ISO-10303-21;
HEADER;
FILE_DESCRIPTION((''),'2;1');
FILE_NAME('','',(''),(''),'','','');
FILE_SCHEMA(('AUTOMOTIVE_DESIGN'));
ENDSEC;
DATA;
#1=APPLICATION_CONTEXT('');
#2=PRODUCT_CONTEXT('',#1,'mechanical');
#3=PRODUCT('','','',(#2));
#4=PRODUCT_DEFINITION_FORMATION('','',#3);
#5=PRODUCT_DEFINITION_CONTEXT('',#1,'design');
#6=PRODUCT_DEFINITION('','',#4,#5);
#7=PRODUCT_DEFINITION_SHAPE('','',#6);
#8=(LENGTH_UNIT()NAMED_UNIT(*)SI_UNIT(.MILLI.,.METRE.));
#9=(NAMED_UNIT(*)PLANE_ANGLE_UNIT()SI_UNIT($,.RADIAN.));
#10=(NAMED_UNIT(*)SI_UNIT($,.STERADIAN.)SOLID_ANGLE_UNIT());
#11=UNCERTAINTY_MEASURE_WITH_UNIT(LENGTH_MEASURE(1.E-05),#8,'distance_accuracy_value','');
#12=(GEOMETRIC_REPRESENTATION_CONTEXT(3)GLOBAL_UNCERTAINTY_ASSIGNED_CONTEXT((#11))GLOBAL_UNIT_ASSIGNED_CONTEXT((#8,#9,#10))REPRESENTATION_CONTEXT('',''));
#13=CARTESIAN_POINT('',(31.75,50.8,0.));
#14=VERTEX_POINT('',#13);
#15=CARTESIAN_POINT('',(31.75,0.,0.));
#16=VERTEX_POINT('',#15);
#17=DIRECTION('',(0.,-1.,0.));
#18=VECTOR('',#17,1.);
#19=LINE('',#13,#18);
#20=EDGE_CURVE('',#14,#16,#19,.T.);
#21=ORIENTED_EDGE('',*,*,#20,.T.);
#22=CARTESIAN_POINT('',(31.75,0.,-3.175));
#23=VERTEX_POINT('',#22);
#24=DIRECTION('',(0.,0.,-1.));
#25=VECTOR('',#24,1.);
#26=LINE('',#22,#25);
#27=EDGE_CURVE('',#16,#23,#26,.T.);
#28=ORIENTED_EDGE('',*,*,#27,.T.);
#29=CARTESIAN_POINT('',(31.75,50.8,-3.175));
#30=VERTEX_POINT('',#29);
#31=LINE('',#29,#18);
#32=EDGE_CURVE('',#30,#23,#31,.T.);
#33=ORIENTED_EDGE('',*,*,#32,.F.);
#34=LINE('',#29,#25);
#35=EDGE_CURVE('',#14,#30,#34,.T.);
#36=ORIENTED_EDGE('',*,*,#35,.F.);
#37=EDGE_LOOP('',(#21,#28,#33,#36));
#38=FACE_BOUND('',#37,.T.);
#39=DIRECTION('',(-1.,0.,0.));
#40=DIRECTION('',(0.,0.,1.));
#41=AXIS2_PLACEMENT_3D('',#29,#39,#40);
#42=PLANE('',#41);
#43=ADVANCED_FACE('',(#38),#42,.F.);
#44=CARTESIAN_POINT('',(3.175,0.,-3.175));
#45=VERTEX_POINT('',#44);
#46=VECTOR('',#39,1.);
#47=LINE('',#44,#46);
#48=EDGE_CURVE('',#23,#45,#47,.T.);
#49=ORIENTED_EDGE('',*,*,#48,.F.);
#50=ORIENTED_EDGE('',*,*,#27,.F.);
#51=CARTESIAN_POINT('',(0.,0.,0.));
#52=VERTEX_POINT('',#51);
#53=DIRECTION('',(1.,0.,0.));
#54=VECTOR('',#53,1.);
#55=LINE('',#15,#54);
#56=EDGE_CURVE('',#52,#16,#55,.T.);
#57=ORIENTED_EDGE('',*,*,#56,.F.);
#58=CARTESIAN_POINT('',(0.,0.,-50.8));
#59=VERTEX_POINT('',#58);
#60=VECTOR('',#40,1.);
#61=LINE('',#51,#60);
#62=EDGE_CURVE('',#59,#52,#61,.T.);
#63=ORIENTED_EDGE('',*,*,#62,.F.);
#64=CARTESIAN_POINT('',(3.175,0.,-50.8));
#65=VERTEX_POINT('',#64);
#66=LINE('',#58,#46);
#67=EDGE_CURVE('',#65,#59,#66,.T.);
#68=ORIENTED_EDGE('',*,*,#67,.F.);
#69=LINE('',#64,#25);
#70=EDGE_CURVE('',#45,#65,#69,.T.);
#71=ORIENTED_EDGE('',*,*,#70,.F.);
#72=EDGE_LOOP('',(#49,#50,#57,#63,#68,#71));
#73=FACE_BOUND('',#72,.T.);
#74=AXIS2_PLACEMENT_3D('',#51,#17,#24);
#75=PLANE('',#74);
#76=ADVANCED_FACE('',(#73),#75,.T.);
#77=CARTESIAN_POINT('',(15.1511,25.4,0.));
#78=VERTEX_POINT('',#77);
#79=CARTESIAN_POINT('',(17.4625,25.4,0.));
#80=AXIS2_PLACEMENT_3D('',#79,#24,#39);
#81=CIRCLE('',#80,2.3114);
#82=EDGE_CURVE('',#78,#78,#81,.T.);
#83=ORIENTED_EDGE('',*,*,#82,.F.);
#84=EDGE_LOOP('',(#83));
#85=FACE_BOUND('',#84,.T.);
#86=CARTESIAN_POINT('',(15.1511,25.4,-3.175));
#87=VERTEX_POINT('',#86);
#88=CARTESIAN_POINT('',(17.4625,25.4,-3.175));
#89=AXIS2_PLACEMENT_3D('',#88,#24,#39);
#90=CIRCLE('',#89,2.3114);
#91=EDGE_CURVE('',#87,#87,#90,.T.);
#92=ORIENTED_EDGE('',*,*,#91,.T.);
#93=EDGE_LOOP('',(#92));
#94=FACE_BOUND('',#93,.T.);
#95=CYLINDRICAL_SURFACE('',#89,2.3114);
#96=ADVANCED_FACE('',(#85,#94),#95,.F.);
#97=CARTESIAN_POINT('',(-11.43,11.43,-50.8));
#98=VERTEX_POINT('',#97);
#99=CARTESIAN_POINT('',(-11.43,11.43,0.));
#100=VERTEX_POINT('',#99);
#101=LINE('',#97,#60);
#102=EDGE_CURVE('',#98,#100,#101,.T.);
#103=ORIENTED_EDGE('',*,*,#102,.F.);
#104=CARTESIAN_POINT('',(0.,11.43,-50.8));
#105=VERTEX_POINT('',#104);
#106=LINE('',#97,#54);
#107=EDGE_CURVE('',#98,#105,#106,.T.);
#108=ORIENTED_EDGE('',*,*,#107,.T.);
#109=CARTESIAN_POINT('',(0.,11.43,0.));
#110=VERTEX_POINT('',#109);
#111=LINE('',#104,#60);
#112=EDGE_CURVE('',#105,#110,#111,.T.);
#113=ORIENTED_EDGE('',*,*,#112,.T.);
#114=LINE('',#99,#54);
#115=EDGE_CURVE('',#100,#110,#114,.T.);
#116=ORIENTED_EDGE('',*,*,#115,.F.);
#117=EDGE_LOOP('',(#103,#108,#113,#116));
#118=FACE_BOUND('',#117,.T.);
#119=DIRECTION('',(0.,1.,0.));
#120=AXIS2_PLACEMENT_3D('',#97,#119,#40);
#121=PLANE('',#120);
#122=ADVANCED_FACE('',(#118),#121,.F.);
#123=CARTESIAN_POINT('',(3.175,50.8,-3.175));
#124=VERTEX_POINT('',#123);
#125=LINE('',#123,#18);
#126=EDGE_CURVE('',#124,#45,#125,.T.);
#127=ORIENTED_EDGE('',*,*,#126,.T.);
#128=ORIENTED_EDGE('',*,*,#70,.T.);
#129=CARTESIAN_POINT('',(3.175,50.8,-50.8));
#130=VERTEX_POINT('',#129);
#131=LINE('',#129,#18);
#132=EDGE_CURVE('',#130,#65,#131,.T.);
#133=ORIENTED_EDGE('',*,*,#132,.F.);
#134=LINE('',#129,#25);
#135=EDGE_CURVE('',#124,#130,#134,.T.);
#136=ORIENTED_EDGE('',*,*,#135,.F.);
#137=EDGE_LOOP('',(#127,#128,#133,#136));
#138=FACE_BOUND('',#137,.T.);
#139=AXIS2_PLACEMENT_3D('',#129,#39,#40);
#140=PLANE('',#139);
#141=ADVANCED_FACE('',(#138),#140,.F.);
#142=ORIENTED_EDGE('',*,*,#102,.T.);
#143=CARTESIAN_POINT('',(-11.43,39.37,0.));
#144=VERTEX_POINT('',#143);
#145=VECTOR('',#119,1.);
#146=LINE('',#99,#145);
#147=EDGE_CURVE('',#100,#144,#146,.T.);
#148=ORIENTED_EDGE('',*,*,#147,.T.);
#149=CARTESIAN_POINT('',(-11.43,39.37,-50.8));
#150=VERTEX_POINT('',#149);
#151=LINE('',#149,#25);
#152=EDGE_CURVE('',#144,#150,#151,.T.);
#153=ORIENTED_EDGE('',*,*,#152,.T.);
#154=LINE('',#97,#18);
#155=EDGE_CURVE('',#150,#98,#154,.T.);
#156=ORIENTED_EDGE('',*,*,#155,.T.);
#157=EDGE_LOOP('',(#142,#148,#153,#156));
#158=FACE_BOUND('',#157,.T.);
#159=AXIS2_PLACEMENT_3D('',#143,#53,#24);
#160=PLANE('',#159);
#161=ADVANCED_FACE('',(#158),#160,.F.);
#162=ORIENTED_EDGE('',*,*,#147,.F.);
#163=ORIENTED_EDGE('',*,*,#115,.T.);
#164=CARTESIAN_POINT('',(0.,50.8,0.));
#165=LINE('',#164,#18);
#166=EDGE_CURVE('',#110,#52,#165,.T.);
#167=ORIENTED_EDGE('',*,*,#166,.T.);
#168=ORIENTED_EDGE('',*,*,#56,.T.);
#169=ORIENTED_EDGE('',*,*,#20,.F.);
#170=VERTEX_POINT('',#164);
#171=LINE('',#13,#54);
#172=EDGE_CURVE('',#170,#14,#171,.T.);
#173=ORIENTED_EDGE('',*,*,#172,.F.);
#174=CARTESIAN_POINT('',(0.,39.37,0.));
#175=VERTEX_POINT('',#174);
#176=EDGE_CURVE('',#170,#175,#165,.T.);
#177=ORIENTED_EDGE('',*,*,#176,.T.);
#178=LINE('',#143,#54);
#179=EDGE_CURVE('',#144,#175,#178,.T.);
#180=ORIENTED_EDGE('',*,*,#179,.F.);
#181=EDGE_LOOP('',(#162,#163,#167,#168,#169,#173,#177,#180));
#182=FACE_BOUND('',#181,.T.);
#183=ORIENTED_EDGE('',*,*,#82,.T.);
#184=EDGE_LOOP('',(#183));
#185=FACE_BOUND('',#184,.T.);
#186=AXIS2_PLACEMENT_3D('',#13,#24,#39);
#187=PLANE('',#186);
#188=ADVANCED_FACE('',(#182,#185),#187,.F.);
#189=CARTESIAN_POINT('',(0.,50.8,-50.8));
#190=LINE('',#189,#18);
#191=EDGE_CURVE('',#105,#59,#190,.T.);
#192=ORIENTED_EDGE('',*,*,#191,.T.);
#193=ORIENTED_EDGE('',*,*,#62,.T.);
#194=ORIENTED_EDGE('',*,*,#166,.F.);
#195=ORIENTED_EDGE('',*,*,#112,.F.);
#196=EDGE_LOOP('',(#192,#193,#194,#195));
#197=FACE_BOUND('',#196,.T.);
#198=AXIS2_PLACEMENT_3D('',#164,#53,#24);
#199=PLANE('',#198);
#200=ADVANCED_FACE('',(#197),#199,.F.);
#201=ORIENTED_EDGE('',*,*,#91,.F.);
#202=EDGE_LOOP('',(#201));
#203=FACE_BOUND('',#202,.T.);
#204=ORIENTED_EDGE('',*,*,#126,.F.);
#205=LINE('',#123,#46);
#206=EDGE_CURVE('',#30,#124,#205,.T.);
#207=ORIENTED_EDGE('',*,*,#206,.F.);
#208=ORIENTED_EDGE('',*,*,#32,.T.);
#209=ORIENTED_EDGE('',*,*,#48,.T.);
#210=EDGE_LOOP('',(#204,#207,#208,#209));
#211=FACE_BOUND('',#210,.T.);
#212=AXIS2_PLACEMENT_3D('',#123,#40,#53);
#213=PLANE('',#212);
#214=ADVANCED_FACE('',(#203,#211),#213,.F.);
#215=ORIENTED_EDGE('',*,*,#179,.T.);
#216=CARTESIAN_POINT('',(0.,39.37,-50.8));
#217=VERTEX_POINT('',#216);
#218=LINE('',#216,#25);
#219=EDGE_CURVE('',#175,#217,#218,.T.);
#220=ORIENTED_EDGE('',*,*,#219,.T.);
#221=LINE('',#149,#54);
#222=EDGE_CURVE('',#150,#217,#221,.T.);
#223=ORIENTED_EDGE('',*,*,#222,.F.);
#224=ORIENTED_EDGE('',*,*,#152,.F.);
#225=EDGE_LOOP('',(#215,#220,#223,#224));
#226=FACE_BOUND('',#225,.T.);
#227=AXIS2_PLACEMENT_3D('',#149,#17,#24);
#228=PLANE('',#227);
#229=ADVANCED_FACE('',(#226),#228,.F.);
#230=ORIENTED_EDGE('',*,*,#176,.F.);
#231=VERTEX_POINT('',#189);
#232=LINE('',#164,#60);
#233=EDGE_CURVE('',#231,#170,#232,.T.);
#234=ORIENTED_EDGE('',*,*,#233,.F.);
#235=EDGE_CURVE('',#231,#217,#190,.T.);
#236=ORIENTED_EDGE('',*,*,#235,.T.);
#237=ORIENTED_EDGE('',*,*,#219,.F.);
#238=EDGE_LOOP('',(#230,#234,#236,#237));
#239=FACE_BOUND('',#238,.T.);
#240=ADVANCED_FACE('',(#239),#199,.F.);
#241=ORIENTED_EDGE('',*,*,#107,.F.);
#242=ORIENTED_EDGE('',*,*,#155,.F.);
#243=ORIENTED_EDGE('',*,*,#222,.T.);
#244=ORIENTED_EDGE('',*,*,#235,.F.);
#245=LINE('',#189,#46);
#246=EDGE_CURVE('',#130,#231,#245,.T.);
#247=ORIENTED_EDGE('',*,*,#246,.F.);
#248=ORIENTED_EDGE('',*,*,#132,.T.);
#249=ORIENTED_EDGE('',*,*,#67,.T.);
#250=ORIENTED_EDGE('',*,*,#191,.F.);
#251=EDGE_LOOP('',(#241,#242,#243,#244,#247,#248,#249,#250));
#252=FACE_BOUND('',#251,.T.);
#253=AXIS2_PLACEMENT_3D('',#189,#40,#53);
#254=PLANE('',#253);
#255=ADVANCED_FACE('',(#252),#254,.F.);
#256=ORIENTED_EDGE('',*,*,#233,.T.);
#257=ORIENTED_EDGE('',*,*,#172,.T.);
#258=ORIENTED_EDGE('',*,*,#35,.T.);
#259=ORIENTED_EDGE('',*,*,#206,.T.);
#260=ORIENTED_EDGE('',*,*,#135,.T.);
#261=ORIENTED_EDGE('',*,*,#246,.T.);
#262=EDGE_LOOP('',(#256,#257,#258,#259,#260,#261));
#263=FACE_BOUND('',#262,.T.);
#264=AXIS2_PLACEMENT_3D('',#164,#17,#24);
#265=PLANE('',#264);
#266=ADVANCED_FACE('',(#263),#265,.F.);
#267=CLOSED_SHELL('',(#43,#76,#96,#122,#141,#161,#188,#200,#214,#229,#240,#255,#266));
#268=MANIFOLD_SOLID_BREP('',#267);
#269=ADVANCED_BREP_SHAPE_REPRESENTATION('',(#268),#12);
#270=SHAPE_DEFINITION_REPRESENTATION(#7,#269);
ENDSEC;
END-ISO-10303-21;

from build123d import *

# Parameters (mm, degrees)
BOSS_EXTRUDE1_DEPTH    = 50.8
F_12_28_TAPPED_HOLE1_D = 4.6228
SKETCH6_W              = 50.8
SKETCH6_H              = 27.94
BOSS_EXTRUDE2_DEPTH    = 11.43


with BuildPart() as part:
    # Sketch2 → Boss-Extrude1 (new body)
    with BuildSketch(Plane(origin=(0, 0, 0), x_dir=(1, 0, 0), z_dir=(0, 1, 0))):
        Polygon((0, 0), (0, 50.8), (3.175, 50.8), (3.175, 3.175), (31.75, 3.175), (31.75, 0), align=None)
    extrude(amount=BOSS_EXTRUDE1_DEPTH)

    # #12-28 Tapped Hole1 (through all)
    with Locations(Plane(origin=(0, 0, -3.175), x_dir=(-1, 0, 0), z_dir=(0, 0, -1))):
        with Locations((-17.4625, 25.4)):
            Hole(F_12_28_TAPPED_HOLE1_D / 2)

    # Sketch6 → Boss-Extrude2 (add)
    with BuildSketch(Plane.ZY):
        with Locations((-25.4, 25.4)):
            Rectangle(SKETCH6_W, SKETCH6_H)
    extrude(amount=BOSS_EXTRUDE2_DEPTH)


solid = part.part
